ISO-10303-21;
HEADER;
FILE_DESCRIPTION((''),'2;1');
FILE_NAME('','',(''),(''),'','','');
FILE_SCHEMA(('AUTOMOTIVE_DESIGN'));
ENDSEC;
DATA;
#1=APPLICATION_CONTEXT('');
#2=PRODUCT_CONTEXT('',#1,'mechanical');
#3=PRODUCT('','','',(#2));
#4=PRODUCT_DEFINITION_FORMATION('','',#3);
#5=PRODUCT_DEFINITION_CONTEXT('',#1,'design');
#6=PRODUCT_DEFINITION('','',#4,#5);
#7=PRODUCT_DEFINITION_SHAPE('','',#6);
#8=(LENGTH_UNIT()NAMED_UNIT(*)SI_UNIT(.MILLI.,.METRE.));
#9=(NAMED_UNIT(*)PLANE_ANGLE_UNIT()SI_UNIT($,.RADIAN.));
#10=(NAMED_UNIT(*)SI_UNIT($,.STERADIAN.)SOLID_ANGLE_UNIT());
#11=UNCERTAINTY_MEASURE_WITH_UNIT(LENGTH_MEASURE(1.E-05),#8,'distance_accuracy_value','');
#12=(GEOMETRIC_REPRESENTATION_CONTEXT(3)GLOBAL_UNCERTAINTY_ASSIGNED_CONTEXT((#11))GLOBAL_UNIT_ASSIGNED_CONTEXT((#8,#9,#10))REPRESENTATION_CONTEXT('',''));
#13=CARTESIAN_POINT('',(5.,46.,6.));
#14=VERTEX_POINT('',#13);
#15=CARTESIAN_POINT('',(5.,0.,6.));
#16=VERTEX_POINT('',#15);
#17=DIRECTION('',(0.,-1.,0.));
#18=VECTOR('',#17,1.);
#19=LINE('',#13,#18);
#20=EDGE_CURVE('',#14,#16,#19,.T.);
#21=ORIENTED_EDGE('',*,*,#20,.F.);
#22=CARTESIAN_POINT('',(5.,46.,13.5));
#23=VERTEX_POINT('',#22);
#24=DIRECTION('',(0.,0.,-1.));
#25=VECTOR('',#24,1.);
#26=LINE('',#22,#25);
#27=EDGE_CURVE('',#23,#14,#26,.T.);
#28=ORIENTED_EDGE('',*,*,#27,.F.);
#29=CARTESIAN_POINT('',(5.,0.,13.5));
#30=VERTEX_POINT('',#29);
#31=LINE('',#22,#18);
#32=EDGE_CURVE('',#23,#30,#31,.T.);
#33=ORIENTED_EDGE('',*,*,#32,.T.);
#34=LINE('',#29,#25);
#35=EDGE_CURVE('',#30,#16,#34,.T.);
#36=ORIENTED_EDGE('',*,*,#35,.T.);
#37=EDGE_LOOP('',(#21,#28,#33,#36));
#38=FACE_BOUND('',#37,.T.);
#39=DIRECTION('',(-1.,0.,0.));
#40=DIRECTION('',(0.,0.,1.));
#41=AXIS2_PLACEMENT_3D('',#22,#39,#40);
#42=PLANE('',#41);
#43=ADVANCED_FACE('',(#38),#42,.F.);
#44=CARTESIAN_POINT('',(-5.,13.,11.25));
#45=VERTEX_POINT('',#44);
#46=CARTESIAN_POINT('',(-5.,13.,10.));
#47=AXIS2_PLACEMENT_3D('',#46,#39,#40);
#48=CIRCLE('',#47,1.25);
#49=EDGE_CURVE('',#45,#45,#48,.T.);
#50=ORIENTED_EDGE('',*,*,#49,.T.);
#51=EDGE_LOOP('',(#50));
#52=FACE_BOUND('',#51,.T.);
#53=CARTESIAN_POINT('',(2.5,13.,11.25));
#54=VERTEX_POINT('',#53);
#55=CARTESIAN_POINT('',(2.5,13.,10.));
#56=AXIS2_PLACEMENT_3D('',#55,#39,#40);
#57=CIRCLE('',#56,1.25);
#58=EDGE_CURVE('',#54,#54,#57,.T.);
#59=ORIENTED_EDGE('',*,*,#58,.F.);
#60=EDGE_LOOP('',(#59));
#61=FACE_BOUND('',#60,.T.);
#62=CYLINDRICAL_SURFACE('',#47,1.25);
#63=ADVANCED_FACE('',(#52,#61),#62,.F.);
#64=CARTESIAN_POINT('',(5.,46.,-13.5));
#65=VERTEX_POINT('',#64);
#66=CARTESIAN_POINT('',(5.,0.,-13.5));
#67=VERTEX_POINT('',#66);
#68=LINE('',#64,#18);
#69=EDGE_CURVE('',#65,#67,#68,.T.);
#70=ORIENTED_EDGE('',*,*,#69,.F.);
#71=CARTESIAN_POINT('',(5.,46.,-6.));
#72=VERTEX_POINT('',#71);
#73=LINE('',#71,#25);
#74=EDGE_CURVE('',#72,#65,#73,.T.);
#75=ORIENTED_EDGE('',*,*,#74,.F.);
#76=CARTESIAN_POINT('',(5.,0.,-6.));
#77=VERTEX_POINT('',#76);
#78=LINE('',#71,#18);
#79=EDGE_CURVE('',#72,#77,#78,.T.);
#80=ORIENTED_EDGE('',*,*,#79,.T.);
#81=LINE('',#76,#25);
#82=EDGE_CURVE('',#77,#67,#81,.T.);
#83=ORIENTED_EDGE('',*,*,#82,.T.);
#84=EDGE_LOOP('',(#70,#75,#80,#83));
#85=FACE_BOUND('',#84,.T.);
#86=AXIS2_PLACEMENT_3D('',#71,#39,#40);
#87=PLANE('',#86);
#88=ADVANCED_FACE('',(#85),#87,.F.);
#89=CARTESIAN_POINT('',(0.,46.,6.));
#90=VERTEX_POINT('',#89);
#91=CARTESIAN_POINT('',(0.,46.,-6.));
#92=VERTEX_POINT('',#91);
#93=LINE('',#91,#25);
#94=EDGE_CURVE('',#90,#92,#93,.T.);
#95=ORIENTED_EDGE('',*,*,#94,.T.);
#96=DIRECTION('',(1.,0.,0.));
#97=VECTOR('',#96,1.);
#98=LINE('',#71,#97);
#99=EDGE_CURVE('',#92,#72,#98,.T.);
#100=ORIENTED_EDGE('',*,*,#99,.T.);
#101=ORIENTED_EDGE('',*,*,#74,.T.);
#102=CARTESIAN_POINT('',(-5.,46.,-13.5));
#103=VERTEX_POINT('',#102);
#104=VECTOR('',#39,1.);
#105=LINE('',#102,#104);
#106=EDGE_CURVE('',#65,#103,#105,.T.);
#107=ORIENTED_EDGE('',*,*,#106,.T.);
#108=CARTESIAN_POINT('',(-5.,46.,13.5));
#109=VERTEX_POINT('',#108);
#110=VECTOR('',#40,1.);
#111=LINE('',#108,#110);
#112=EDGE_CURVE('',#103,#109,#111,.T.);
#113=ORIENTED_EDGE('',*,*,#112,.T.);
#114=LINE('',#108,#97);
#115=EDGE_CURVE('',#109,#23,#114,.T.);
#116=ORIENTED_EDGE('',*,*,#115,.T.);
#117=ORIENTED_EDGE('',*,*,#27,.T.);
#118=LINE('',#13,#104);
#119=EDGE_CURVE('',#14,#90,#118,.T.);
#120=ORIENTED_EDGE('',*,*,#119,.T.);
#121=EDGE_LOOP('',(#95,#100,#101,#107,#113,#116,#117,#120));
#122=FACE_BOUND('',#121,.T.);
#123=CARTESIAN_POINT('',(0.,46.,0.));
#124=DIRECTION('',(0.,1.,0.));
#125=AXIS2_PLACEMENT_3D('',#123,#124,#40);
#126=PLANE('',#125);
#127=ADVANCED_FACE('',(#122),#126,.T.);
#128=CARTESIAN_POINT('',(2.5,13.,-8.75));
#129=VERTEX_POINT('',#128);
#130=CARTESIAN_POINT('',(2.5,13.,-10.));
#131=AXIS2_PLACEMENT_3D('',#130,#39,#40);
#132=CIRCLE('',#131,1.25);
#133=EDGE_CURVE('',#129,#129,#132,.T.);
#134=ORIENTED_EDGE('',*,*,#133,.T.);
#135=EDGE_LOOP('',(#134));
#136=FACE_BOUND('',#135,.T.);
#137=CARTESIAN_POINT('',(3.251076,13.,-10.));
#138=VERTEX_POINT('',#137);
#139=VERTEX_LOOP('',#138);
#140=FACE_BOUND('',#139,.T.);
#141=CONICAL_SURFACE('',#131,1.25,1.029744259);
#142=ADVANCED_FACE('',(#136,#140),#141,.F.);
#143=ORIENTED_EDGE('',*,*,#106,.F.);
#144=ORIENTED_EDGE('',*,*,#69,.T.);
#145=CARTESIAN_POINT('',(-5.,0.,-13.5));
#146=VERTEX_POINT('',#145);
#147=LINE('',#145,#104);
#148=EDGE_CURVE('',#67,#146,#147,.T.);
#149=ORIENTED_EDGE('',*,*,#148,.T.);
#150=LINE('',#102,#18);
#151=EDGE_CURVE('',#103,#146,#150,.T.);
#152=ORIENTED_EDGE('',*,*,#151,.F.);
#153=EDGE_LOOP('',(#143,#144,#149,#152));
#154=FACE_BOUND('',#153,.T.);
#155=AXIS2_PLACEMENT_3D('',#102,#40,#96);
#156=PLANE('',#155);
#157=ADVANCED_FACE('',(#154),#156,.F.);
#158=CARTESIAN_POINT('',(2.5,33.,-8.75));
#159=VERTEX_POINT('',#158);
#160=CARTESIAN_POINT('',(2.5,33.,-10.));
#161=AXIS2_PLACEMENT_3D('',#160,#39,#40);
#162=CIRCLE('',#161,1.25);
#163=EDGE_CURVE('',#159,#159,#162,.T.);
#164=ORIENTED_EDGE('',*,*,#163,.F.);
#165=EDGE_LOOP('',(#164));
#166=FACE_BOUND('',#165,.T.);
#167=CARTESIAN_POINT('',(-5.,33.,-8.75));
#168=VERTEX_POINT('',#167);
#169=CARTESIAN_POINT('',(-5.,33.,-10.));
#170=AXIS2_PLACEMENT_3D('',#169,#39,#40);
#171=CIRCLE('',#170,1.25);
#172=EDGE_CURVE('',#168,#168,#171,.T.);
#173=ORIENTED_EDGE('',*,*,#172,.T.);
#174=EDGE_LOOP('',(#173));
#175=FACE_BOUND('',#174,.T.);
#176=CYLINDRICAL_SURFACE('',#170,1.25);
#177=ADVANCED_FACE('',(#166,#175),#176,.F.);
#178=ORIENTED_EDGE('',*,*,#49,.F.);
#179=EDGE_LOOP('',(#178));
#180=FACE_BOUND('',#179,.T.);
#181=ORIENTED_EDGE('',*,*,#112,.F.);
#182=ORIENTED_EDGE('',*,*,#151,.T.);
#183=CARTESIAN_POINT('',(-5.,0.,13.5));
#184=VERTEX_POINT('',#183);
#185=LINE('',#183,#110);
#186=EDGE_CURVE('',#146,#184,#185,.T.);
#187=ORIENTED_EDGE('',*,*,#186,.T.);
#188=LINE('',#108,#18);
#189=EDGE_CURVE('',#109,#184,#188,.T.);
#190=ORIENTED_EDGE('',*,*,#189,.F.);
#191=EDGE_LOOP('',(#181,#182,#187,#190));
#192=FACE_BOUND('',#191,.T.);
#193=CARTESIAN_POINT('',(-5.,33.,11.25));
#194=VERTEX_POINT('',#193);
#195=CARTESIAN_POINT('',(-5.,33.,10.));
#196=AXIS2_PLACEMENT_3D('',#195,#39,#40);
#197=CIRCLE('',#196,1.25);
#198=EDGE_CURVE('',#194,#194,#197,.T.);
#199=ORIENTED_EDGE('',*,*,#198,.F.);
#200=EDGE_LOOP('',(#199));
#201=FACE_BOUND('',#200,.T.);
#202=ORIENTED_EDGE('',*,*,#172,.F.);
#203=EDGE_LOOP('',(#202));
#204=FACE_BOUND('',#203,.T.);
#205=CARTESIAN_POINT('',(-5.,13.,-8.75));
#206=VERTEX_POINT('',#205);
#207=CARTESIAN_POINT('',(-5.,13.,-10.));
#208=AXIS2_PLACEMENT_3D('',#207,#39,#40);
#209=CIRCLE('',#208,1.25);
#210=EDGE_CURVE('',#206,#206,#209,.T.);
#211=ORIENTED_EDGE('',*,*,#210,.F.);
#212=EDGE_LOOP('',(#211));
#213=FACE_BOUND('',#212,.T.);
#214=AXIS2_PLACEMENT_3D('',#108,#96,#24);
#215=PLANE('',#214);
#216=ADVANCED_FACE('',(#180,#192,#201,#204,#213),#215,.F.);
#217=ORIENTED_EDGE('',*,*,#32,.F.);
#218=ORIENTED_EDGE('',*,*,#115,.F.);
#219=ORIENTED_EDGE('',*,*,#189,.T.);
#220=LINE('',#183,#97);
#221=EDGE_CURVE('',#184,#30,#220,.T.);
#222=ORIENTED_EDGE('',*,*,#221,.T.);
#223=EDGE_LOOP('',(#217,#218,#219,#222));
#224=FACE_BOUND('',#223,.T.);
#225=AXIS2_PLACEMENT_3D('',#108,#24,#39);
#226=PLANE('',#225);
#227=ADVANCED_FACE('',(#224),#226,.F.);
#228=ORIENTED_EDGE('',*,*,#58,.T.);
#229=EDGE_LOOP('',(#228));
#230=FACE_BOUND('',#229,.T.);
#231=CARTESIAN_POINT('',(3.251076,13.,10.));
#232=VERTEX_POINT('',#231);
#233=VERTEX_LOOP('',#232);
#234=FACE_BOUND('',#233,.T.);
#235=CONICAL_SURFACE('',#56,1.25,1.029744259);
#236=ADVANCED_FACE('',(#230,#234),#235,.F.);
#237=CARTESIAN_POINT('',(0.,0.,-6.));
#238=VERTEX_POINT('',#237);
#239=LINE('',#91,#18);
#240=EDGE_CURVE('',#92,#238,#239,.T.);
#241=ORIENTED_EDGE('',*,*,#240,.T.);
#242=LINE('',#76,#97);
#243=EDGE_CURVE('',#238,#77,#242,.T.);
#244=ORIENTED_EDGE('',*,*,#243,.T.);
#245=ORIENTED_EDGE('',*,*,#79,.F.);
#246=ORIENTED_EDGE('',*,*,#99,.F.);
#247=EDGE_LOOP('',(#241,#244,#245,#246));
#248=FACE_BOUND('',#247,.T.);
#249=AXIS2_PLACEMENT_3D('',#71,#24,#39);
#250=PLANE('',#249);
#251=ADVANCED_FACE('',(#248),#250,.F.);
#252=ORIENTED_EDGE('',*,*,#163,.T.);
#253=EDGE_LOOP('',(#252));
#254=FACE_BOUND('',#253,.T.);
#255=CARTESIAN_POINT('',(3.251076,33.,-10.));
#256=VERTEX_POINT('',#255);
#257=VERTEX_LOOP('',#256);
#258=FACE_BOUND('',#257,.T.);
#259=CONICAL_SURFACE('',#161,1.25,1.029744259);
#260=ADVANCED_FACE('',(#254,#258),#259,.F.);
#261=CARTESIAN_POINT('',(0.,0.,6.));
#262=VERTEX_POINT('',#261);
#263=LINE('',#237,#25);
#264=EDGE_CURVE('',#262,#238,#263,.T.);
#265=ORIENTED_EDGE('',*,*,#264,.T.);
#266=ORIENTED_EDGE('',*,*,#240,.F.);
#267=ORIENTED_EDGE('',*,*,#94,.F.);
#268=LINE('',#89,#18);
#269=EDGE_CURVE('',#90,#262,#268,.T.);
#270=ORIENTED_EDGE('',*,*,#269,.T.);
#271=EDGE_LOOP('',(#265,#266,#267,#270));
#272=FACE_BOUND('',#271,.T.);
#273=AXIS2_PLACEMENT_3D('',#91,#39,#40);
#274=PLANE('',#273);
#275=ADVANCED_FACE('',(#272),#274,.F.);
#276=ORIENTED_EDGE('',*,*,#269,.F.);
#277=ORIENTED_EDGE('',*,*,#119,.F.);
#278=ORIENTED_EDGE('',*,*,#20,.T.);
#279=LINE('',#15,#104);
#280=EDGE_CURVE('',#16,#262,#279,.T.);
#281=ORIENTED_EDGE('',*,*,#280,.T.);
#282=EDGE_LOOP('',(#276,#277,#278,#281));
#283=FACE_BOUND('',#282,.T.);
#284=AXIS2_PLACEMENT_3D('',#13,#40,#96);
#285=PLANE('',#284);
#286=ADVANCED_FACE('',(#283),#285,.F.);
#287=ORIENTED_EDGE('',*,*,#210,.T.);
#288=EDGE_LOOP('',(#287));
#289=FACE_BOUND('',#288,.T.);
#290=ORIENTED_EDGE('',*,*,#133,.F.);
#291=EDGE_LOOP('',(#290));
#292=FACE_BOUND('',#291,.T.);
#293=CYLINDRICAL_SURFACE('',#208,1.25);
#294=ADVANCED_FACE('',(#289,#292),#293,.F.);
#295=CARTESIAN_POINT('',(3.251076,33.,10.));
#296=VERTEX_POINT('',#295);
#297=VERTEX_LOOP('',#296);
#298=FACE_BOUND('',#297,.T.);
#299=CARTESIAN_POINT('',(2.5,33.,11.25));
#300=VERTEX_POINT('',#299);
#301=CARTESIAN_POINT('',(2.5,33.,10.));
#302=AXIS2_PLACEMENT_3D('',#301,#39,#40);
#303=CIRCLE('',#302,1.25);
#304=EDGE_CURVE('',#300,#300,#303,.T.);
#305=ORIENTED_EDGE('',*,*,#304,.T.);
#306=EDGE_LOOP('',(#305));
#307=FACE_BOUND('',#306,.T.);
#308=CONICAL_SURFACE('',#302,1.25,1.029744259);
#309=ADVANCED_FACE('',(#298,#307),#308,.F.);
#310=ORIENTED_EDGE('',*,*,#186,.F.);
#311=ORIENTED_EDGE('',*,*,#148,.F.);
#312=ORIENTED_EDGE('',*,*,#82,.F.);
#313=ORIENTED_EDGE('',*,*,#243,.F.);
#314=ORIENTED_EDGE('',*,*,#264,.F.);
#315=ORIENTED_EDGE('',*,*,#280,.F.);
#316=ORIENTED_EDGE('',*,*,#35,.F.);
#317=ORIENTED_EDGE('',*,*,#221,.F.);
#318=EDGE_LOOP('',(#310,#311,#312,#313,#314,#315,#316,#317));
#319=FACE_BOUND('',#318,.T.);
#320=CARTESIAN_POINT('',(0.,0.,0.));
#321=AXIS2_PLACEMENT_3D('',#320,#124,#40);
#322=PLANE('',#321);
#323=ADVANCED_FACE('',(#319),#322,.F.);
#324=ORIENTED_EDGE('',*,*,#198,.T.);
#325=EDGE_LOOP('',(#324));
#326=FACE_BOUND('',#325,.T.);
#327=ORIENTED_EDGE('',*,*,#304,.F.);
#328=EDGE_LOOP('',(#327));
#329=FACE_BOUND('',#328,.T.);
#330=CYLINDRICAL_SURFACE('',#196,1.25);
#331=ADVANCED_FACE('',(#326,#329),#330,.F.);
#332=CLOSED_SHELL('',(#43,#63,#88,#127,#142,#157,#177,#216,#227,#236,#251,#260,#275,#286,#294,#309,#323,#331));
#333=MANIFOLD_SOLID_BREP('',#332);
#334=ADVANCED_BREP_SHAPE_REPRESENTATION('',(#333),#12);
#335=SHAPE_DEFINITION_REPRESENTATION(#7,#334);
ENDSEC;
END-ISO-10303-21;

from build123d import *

# Parameters (mm, degrees)
BOSS_EXTRUDE1_DEPTH   = 46
M3_TAPPED_HOLE1_D     = 2.5
M3_TAPPED_HOLE1_DEPTH = 7.5
M3_TAPPED_HOLE1_TIP   = 0.751075774


with BuildPart() as part:
    # Sketch1 → Boss-Extrude1 (new body)
    with BuildSketch(Plane(origin=(0, 0, 0), x_dir=(1, 0, 0), z_dir=(0, 1, 0))):
        Polygon((5, 6), (5, 13.5), (-5, 13.5), (-5, -13.5), (5, -13.5), (5, -6), (0, -6), (0, 6), align=None)
    extrude(amount=BOSS_EXTRUDE1_DEPTH)

    # M3 Tapped Hole1
    with Locations(Plane.ZY.offset(5)):
        with Locations((10, 33), (-10, 33), (-10, 13), (10, 13)):
            Hole(M3_TAPPED_HOLE1_D / 2, depth=M3_TAPPED_HOLE1_DEPTH)
            with Locations((0, 0, -(M3_TAPPED_HOLE1_DEPTH + M3_TAPPED_HOLE1_TIP / 2))):  # 118° drill point
                Cone(0, M3_TAPPED_HOLE1_D / 2, M3_TAPPED_HOLE1_TIP, mode=Mode.SUBTRACT)


solid = part.part
